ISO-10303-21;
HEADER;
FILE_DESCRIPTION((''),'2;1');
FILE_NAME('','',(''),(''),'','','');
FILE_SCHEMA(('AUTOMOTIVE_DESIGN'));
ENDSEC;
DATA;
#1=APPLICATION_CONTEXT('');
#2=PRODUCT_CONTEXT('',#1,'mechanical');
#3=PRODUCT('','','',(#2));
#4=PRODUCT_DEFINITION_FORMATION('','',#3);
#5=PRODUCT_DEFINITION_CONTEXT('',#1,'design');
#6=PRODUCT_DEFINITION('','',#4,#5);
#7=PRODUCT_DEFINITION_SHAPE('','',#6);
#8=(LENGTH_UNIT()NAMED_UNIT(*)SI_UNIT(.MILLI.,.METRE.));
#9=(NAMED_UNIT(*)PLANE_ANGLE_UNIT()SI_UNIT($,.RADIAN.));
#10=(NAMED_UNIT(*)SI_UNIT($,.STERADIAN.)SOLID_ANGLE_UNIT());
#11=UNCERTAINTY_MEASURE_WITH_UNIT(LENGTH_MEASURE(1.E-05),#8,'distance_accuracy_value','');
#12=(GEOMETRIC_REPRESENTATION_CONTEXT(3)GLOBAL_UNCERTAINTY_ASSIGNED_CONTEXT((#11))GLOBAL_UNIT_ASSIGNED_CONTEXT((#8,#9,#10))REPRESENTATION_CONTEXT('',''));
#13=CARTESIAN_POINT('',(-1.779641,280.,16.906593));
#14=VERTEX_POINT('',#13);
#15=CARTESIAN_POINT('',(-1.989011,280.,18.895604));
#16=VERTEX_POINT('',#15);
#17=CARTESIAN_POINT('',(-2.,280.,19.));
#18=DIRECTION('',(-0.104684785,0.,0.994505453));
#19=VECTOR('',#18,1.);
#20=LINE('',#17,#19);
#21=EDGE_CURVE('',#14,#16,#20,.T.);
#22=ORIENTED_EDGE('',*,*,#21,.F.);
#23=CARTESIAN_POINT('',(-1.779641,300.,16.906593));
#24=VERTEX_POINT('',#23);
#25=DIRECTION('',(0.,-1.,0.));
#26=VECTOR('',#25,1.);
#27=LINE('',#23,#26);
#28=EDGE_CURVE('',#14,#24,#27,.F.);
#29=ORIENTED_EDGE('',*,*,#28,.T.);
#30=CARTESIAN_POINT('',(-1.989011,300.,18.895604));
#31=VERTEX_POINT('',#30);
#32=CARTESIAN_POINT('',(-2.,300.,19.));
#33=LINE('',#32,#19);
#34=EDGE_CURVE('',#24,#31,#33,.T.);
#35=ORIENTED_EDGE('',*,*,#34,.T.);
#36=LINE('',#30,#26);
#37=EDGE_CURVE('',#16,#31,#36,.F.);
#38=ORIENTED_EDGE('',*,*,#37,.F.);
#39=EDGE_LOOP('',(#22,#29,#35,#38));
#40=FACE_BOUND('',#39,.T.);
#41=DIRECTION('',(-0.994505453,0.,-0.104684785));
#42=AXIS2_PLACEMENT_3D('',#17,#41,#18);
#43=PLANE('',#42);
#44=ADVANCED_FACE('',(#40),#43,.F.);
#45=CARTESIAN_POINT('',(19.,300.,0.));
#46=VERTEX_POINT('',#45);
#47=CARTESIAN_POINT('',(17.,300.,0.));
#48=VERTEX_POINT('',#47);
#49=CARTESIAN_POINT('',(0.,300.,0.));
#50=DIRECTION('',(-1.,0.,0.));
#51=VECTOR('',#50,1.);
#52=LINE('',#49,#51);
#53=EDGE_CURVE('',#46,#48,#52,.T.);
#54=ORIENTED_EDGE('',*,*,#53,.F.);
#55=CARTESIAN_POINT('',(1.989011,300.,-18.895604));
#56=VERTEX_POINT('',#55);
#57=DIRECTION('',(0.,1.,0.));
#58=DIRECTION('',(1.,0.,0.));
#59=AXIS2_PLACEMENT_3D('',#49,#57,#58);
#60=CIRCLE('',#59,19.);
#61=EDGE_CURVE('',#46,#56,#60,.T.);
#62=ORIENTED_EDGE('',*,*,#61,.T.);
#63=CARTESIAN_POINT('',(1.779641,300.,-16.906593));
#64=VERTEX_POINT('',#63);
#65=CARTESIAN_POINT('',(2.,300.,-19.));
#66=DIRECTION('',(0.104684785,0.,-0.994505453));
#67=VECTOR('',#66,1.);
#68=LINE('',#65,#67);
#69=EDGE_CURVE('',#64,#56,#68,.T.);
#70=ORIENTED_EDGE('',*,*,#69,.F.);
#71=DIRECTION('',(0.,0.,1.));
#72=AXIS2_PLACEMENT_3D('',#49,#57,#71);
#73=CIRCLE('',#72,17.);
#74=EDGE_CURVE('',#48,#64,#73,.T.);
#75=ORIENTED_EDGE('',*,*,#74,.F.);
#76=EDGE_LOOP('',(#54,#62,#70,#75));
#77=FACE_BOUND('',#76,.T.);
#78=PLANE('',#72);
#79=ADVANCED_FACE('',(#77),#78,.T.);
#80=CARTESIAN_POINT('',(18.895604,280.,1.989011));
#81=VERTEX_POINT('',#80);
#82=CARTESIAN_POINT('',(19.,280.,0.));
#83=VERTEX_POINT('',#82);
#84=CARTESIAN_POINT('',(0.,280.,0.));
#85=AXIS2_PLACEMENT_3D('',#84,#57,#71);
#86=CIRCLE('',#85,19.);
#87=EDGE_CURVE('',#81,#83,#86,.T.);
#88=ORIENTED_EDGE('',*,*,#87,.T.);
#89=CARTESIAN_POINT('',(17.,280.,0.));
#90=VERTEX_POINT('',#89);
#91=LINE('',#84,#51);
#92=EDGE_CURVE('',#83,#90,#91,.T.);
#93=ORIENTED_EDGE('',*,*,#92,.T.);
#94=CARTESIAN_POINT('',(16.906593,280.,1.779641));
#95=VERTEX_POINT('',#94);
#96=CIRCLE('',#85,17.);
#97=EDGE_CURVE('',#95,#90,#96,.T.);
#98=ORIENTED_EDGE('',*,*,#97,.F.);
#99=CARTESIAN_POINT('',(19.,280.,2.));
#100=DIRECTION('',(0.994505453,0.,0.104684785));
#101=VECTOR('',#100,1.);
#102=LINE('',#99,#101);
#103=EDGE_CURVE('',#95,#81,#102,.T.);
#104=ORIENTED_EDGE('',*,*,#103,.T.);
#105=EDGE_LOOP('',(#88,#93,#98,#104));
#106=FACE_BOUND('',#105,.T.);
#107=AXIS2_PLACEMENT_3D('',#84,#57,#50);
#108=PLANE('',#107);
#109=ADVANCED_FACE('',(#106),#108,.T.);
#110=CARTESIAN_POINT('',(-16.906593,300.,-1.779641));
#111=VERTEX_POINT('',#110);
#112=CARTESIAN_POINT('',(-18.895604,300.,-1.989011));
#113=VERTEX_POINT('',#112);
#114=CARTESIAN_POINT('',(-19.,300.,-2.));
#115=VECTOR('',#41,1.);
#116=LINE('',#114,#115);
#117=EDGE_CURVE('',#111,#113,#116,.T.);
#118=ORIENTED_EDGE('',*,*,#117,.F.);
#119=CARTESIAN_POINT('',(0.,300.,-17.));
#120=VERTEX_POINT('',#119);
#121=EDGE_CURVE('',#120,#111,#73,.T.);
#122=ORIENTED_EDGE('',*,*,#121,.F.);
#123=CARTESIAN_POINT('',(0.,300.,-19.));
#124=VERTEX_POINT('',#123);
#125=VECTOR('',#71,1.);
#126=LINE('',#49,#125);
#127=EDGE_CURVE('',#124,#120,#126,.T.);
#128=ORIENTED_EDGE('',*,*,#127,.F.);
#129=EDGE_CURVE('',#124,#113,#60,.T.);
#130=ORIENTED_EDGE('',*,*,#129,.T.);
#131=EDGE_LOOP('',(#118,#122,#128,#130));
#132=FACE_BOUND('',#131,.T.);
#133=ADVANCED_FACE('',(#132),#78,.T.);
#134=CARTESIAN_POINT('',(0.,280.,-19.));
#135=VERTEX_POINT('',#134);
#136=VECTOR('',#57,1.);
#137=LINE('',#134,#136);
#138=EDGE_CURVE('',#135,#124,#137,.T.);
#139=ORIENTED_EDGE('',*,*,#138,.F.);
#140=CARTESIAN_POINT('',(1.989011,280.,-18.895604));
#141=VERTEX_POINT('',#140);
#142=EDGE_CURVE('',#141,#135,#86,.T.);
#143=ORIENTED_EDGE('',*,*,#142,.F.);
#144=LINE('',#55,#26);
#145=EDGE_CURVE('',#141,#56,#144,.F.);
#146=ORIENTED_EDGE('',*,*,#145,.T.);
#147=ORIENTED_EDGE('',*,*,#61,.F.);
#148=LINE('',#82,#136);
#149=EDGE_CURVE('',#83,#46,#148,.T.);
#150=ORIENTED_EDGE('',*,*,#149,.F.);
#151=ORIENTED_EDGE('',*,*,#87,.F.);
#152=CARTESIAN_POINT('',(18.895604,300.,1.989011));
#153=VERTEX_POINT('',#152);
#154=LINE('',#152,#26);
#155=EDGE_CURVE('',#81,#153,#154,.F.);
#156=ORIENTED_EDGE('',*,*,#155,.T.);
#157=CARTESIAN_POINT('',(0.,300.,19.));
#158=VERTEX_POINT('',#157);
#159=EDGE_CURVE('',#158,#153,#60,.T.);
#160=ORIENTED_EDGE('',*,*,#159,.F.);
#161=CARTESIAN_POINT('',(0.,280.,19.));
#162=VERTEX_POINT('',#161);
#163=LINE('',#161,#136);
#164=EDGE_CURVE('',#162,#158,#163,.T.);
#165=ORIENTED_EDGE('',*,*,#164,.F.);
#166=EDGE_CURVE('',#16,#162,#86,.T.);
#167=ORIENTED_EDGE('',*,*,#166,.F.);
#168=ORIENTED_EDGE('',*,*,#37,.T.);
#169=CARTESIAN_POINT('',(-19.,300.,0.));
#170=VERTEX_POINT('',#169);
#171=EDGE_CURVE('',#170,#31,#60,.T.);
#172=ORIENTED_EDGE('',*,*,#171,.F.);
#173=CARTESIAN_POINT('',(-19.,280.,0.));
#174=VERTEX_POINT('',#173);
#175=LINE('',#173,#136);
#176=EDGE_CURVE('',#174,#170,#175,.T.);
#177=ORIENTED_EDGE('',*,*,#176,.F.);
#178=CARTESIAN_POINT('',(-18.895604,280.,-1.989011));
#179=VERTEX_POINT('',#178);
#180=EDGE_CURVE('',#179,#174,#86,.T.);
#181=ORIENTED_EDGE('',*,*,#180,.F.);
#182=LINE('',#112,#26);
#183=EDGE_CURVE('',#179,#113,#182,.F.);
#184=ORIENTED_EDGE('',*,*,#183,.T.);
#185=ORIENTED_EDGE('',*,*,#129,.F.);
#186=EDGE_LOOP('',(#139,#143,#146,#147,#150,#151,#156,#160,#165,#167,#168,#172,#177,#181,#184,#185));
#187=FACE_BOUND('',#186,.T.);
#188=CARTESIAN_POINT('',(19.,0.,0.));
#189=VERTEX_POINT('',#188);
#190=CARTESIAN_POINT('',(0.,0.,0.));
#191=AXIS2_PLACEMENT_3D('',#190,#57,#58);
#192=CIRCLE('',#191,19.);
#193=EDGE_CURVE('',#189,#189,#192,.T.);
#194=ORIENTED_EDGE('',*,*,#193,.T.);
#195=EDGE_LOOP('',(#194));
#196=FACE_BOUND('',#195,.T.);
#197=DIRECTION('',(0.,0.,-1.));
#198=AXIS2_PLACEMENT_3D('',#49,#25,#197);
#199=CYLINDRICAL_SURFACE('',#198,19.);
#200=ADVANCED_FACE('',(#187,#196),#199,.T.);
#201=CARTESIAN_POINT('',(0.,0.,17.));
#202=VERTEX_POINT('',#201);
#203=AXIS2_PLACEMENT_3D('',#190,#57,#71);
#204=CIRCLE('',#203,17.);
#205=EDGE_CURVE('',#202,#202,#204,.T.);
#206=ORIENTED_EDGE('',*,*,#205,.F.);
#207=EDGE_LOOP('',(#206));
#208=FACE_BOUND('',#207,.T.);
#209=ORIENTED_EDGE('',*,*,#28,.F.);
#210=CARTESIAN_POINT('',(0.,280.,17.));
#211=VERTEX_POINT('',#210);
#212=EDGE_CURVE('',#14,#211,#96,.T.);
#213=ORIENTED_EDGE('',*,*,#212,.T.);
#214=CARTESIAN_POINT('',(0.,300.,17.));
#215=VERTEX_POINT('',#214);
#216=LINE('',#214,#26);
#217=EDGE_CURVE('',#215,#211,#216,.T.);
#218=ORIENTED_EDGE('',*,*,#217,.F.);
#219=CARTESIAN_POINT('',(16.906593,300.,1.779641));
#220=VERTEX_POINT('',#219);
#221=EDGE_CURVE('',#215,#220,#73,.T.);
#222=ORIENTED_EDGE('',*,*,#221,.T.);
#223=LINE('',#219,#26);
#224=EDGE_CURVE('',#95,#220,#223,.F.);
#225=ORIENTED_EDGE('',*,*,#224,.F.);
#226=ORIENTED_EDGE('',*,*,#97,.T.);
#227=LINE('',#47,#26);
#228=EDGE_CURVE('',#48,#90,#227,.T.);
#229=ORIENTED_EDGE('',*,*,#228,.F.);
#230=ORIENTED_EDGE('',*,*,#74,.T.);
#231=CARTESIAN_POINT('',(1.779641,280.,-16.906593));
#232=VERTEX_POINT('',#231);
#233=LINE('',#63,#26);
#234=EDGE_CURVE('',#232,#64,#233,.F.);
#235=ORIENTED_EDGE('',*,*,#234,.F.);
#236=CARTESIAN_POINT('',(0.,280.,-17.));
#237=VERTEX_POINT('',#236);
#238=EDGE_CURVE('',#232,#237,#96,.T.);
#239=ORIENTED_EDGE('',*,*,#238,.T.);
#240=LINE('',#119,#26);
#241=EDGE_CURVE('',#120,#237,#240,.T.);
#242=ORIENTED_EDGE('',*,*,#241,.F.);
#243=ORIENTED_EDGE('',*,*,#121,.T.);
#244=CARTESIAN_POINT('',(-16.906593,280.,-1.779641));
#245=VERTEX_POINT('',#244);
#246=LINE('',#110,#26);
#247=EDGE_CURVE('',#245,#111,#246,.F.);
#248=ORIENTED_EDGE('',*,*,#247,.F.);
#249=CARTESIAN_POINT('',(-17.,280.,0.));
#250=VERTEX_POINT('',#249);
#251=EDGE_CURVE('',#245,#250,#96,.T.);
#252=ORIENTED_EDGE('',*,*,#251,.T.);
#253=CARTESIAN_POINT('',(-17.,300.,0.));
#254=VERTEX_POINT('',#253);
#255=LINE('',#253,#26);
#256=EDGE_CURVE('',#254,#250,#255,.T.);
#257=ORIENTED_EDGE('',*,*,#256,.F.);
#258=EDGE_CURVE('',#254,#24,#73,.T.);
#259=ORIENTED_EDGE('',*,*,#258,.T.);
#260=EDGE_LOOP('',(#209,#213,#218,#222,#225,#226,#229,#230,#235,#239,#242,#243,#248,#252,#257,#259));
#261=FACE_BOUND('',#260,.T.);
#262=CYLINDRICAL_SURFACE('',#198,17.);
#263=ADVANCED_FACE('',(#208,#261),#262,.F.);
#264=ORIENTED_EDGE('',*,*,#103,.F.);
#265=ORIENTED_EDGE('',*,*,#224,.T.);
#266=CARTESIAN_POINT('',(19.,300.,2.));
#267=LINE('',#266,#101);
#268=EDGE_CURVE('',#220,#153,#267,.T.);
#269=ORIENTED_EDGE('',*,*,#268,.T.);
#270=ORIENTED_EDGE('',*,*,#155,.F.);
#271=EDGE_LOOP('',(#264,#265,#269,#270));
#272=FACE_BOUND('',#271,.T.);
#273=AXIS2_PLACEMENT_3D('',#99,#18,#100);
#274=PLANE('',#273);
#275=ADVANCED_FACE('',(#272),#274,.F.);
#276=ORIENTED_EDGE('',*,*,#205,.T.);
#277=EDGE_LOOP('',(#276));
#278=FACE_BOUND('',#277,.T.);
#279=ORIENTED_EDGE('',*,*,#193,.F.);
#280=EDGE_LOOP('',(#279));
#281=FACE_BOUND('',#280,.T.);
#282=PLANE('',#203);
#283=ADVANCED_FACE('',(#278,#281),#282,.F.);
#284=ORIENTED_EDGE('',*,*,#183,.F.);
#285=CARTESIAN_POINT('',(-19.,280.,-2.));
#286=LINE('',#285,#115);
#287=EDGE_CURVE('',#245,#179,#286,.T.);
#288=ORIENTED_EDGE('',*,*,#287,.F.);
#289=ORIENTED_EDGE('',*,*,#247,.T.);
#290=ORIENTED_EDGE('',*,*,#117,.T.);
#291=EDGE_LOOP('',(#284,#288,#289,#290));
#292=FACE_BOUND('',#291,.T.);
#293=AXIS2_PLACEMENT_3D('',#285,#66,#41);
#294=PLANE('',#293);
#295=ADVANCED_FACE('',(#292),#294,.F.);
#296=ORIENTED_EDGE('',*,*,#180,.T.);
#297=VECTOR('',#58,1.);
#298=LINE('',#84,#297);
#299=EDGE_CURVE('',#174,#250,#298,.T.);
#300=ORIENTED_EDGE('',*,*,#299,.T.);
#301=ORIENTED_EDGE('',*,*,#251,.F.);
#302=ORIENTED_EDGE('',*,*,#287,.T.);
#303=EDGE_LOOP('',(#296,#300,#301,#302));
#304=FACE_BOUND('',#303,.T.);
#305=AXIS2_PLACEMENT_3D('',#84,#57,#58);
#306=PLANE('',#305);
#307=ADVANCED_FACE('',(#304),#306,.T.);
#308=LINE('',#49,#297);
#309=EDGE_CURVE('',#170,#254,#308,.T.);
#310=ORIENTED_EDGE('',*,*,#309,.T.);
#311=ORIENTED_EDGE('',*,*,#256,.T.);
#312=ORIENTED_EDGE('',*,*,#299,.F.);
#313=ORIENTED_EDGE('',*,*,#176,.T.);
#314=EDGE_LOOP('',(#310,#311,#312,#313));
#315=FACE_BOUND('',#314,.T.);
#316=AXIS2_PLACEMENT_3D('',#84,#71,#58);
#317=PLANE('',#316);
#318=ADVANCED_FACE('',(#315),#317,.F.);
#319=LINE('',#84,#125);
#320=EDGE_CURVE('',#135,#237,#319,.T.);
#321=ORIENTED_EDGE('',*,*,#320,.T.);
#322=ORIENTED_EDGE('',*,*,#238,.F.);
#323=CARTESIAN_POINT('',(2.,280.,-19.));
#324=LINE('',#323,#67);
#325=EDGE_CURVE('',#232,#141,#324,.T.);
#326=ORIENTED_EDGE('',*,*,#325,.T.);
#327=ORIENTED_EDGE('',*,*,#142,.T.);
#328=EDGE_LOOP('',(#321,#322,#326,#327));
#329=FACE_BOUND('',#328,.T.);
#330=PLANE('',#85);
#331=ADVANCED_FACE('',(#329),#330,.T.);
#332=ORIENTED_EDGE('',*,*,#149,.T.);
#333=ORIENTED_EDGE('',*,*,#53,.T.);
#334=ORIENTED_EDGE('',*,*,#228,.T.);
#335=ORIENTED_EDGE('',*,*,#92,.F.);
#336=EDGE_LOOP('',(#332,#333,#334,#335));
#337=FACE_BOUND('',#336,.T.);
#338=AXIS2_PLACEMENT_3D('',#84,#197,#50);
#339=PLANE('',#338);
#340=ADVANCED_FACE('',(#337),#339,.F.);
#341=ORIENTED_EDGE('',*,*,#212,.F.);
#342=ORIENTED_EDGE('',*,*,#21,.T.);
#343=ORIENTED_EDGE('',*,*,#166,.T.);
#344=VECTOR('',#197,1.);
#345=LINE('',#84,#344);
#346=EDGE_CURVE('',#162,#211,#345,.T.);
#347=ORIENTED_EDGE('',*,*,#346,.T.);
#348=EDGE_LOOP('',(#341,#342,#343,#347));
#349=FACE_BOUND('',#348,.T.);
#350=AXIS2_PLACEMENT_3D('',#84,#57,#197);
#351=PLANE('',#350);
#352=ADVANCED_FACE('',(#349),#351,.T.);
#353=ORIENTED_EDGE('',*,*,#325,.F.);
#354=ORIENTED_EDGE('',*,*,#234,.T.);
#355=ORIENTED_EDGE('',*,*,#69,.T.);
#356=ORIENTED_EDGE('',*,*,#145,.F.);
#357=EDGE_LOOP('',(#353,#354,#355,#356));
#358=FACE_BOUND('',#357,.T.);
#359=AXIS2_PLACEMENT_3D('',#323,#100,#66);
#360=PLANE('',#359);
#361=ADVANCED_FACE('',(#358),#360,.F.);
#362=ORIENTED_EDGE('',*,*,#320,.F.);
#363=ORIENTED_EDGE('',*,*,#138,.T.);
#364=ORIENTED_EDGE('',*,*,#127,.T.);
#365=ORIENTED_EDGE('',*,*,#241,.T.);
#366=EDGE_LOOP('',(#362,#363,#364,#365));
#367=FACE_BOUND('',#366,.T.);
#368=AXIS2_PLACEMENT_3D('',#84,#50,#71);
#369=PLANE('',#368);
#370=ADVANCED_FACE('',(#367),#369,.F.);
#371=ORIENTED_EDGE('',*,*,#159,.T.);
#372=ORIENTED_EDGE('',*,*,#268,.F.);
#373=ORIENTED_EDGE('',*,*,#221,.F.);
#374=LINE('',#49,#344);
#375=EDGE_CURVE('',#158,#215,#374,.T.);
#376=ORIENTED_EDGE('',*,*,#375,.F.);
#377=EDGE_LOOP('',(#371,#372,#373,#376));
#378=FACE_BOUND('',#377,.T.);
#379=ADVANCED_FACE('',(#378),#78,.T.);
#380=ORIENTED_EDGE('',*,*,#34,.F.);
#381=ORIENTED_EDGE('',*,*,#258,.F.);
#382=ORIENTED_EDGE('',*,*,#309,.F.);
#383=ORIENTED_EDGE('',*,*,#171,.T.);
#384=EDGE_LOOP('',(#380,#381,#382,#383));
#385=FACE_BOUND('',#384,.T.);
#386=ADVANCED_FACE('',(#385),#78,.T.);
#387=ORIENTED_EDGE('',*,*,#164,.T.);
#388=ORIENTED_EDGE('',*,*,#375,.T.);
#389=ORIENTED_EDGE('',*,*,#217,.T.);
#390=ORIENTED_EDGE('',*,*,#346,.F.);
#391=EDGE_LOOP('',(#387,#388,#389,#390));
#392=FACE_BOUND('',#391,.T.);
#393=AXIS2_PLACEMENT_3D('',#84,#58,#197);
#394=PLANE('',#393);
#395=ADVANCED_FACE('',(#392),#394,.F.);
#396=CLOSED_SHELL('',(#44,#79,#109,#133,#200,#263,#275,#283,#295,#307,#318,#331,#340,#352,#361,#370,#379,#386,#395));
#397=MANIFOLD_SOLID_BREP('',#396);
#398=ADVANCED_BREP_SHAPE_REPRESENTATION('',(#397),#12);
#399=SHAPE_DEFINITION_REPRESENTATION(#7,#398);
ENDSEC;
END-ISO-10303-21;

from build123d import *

# Parameters (mm, degrees)
SKETCH_1_R               = 19
SKETCH_1_R_2             = 17
EXTRUDE_1_DEPTH          = 300
CUT_EXTRUDE_1_DEPTH      = 20
PATTERN_CIRCULAR_1_COUNT = 4


with BuildPart() as part:
    # 草图1 → 拉伸-薄壁1 (new body)
    with BuildSketch(Plane(origin=(0, 0, 0), x_dir=(1, 0, 0), z_dir=(0, 1, 0))):
        Circle(SKETCH_1_R)
        Circle(SKETCH_1_R_2, mode=Mode.SUBTRACT)
    extrude(amount=EXTRUDE_1_DEPTH)

    # 草图3 → 切除-拉伸1 (cut)
    with BuildSketch(Plane(origin=(0, 300, 0), x_dir=(1, 0, 0), z_dir=(0, 1, 0))):
        Polygon((0, 0), (0, 19), (2, 19), align=None)
    cut_extrude_1 = extrude(amount=-CUT_EXTRUDE_1_DEPTH, mode=Mode.SUBTRACT)

    # 阵列(圆周)1: 切除-拉伸1 ×4 about axis
    pattern_circular_1_axis = Axis((0, 300, 0), (0, -1, 0))
    for i in range(1, PATTERN_CIRCULAR_1_COUNT):
        add(cut_extrude_1.rotate(pattern_circular_1_axis, i * 360 / PATTERN_CIRCULAR_1_COUNT), mode=Mode.SUBTRACT)


solid = part.part
